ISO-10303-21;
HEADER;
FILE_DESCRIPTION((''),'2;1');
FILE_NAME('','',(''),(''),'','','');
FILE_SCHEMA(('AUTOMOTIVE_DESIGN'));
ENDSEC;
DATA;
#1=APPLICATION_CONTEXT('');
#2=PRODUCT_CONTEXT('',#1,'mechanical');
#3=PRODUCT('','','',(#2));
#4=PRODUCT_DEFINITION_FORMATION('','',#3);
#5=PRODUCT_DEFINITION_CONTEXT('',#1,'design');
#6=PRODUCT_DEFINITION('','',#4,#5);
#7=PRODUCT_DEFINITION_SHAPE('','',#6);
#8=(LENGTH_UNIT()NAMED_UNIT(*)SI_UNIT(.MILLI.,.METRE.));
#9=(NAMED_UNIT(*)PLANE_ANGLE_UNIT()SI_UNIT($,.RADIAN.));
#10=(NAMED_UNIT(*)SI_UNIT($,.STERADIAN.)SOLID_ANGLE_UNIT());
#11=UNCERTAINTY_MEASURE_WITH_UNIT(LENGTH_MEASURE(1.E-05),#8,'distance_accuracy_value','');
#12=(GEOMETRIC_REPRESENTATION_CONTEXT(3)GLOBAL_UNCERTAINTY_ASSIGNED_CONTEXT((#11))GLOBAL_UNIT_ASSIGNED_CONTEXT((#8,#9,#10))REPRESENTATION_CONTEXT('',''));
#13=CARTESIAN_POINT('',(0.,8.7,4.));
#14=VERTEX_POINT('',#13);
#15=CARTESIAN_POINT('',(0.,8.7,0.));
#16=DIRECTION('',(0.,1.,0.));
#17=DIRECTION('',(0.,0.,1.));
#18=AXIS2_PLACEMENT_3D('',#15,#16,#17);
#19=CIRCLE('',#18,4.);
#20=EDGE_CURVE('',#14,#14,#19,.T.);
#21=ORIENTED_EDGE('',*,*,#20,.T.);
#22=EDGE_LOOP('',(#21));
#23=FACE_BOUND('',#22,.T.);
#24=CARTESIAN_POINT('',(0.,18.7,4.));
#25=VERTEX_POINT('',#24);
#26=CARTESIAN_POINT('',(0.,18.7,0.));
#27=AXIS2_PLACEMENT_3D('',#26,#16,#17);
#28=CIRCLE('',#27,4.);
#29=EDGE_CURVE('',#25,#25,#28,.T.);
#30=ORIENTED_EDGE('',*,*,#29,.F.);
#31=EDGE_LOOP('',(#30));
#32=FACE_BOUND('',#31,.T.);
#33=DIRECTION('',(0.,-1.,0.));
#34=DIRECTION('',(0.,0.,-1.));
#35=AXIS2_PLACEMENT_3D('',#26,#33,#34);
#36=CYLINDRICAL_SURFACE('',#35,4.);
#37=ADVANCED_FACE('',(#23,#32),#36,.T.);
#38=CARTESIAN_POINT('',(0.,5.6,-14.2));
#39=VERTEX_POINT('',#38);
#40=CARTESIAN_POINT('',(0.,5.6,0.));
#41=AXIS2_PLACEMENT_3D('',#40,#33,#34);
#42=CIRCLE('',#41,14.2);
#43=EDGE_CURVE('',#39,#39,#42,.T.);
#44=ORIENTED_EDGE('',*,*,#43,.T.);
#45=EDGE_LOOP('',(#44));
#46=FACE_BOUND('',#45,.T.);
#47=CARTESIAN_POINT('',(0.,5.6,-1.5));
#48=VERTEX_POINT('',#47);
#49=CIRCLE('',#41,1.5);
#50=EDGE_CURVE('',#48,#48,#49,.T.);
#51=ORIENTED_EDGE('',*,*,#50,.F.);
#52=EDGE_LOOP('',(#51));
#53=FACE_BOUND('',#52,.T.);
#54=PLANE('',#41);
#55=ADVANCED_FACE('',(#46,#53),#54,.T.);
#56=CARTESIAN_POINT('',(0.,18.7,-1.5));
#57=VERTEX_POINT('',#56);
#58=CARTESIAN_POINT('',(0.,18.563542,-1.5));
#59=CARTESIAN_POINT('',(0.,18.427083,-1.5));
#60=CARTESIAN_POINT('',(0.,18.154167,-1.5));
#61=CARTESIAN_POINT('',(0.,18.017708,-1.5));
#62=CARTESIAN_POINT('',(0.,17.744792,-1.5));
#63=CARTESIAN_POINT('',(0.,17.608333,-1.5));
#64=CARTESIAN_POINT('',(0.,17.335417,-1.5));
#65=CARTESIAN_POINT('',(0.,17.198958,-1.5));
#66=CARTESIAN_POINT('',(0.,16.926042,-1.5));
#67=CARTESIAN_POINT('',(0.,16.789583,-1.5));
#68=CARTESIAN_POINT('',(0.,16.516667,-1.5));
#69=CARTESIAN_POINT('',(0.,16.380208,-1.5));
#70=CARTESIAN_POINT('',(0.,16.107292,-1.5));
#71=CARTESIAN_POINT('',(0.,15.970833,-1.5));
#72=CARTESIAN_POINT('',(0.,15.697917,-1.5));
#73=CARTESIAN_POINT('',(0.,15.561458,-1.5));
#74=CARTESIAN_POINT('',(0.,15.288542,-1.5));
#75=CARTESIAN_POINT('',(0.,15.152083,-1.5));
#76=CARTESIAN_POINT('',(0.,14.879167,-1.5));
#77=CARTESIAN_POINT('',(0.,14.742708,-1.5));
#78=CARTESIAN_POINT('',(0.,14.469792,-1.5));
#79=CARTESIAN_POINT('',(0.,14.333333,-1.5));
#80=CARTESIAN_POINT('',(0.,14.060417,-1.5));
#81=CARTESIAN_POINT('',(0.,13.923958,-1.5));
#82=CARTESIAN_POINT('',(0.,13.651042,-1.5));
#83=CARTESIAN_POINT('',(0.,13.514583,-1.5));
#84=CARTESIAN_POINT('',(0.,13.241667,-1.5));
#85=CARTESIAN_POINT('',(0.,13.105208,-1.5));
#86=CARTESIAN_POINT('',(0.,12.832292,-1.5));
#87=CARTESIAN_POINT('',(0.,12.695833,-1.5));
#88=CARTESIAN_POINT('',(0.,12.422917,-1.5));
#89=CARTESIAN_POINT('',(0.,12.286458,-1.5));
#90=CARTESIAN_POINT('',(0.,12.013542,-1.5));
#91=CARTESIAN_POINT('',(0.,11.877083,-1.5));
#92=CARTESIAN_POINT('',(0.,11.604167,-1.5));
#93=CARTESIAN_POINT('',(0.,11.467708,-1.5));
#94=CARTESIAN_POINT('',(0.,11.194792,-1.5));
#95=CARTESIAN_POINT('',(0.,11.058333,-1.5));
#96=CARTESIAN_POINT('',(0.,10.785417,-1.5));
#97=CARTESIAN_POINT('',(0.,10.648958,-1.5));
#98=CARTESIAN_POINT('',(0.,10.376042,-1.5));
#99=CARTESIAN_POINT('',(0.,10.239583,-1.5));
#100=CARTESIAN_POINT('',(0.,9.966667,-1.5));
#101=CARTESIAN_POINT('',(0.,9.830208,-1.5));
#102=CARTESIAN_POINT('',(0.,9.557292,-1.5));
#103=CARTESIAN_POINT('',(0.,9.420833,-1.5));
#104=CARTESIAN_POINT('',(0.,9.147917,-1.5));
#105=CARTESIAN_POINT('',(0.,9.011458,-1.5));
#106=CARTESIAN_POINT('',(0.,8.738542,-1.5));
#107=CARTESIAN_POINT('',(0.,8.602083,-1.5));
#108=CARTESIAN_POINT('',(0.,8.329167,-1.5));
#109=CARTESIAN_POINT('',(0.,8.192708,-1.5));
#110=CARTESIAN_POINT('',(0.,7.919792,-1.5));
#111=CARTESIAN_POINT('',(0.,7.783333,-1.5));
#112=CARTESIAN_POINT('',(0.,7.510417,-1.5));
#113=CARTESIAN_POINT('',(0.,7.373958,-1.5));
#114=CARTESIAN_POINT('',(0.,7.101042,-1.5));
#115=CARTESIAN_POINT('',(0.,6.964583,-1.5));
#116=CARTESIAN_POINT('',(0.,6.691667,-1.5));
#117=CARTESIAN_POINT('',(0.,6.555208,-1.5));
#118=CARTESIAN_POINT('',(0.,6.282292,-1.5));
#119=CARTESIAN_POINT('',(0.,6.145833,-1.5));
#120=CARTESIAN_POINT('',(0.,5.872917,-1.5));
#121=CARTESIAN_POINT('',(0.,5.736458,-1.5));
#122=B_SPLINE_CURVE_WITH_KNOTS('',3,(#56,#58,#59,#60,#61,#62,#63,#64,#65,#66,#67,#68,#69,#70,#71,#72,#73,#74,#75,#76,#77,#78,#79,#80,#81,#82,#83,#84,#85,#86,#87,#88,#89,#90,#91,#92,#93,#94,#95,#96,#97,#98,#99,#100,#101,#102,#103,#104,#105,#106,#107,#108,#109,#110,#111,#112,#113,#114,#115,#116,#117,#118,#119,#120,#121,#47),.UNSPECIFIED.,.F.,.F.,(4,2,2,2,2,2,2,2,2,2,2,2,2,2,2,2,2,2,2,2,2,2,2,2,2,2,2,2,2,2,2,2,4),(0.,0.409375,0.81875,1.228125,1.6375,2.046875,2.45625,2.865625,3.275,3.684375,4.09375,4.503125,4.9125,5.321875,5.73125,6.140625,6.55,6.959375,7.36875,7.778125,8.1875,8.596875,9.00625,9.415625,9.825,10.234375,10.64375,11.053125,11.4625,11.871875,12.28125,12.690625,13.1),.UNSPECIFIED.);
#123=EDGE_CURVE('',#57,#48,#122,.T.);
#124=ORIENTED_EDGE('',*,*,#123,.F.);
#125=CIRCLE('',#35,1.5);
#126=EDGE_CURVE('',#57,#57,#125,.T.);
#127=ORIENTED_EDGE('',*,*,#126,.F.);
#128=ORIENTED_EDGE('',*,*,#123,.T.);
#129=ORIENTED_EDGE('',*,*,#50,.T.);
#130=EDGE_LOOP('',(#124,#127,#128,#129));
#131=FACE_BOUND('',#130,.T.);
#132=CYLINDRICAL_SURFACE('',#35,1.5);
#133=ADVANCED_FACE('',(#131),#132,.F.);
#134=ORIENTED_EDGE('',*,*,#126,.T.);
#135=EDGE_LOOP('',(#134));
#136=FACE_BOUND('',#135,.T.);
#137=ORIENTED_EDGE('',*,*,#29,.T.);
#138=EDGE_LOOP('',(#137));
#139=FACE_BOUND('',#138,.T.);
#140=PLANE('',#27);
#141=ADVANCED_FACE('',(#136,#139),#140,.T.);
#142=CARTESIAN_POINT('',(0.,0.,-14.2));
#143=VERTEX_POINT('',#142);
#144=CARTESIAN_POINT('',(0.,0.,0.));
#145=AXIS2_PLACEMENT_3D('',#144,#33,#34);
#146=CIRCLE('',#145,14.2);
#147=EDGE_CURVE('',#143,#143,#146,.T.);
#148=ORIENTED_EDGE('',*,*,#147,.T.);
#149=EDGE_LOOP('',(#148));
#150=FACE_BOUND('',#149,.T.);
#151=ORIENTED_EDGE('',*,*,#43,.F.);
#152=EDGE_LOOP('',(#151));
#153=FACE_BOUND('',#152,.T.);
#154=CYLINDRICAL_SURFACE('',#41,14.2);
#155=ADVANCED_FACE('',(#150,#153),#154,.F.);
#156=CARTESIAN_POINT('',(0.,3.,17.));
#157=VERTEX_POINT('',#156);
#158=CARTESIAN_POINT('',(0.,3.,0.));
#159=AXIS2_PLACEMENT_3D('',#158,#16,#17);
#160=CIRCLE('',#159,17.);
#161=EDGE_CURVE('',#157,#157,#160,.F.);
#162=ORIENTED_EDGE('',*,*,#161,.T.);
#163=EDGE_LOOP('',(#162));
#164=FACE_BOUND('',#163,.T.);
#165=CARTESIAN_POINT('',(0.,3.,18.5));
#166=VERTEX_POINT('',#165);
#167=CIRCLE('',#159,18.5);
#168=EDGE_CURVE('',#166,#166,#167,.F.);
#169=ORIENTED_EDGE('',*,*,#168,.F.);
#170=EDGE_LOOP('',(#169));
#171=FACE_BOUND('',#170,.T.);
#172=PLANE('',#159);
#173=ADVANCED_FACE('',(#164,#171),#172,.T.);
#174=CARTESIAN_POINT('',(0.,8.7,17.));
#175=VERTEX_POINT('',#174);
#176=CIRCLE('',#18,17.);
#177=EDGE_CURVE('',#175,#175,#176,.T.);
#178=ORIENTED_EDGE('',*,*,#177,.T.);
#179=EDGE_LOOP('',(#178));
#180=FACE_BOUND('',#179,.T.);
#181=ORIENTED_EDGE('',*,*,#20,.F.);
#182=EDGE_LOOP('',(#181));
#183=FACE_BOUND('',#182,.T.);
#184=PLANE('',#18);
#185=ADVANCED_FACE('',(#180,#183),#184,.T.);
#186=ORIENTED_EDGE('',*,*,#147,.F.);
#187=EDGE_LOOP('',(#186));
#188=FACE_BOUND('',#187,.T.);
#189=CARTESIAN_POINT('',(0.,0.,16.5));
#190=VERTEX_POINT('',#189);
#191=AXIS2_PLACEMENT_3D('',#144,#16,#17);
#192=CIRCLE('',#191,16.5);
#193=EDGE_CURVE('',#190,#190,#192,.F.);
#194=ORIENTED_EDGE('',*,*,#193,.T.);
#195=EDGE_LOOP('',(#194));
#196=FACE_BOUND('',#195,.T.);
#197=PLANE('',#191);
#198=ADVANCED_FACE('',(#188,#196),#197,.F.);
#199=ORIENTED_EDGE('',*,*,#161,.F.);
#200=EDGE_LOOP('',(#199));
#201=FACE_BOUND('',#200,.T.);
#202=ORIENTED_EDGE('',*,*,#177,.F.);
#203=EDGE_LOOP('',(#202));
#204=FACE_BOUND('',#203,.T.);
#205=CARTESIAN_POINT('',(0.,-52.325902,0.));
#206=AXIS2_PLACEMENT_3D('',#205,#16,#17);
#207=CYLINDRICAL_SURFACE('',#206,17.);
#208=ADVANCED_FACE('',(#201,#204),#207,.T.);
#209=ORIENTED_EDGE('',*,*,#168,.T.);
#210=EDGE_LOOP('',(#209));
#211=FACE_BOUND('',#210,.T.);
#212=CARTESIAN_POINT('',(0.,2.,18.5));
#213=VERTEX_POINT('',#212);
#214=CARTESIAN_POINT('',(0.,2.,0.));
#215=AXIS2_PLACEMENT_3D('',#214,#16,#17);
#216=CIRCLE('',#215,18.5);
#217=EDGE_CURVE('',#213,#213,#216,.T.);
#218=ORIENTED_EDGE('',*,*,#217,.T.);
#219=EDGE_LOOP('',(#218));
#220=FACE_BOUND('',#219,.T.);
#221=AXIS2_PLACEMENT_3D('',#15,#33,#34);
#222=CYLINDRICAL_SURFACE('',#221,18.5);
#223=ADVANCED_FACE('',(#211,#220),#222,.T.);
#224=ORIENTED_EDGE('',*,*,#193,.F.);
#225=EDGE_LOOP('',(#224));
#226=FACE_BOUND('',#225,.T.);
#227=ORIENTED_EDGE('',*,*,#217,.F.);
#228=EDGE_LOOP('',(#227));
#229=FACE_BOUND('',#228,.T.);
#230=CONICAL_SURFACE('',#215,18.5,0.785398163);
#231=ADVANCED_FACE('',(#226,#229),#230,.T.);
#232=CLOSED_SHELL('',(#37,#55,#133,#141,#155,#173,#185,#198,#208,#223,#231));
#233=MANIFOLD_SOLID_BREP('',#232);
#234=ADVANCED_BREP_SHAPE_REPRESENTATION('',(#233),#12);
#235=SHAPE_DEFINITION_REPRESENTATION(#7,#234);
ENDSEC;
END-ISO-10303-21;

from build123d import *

# Parameters (mm, degrees)
SKETCH1_R           = 18.5
BOSS_EXTRUDE1_DEPTH = 8.7
CUT_EXTRUDE1_START  = -5.7
SKETCH2_R           = 18.5
SKETCH2_R_2         = 17
CUT_EXTRUDE1_DEPTH  = 5.7
SKETCH3_R           = 14.2
CUT_EXTRUDE2_DEPTH  = 5.6
SKETCH4_R           = 4
BOSS_EXTRUDE2_DEPTH = 10
CHAMFER1_SIZE       = 2
SKETCH5_R           = 1.5
CUT_EXTRUDE3_DEPTH  = 30.259357478


with BuildPart() as part:
    # Sketch1 → Boss-Extrude1 (new body)
    with BuildSketch(Plane(origin=(0, 0, 0), x_dir=(1, 0, 0), z_dir=(0, 1, 0))):
        with Locations(Location((0, 0, 0), (0, 0, 270))):
            Circle(SKETCH1_R)
    extrude(amount=BOSS_EXTRUDE1_DEPTH)

    # Sketch2 → Cut-Extrude1 (cut)
    with BuildSketch(Plane(origin=(0, 8.7, 0), x_dir=(1, 0, 0), z_dir=(0, 1, 0)).offset(CUT_EXTRUDE1_START)):
        with Locations(Location((0, 0, 0), (0, 0, 270))):
            Circle(SKETCH2_R)
        with Locations(Location((0, 0, 0), (0, 0, 270))):
            Circle(SKETCH2_R_2, mode=Mode.SUBTRACT)
    extrude(amount=CUT_EXTRUDE1_DEPTH, mode=Mode.SUBTRACT)

    # Sketch3 → Cut-Extrude2 (cut)
    with BuildSketch(Plane.XZ):
        with Locations(Location((0, 0, 0), (0, 0, 270))):
            Circle(SKETCH3_R)
    extrude(amount=-CUT_EXTRUDE2_DEPTH, mode=Mode.SUBTRACT)

    # Sketch4 → Boss-Extrude2 (add)
    with BuildSketch(Plane(origin=(0, 8.7, 0), x_dir=(1, 0, 0), z_dir=(0, 1, 0))):
        with Locations(Location((0, 0, 0), (0, 0, 270))):
            Circle(SKETCH4_R)
    extrude(amount=BOSS_EXTRUDE2_DEPTH)

    # Chamfer1
    chamfer1_edges = [part.edges().sort_by_distance(p)[0] for p in [
        (0, 0, -18.5),
    ]]
    chamfer(chamfer1_edges, length=CHAMFER1_SIZE)

    # Sketch5 → Cut-Extrude3 (cut, through all)
    with BuildSketch(Plane.XZ.offset(-5.6)):
        with Locations(Location((0, 0, 0), (0, 0, 270))):
            Circle(SKETCH5_R)
    extrude(amount=-CUT_EXTRUDE3_DEPTH, mode=Mode.SUBTRACT)


solid = part.part
